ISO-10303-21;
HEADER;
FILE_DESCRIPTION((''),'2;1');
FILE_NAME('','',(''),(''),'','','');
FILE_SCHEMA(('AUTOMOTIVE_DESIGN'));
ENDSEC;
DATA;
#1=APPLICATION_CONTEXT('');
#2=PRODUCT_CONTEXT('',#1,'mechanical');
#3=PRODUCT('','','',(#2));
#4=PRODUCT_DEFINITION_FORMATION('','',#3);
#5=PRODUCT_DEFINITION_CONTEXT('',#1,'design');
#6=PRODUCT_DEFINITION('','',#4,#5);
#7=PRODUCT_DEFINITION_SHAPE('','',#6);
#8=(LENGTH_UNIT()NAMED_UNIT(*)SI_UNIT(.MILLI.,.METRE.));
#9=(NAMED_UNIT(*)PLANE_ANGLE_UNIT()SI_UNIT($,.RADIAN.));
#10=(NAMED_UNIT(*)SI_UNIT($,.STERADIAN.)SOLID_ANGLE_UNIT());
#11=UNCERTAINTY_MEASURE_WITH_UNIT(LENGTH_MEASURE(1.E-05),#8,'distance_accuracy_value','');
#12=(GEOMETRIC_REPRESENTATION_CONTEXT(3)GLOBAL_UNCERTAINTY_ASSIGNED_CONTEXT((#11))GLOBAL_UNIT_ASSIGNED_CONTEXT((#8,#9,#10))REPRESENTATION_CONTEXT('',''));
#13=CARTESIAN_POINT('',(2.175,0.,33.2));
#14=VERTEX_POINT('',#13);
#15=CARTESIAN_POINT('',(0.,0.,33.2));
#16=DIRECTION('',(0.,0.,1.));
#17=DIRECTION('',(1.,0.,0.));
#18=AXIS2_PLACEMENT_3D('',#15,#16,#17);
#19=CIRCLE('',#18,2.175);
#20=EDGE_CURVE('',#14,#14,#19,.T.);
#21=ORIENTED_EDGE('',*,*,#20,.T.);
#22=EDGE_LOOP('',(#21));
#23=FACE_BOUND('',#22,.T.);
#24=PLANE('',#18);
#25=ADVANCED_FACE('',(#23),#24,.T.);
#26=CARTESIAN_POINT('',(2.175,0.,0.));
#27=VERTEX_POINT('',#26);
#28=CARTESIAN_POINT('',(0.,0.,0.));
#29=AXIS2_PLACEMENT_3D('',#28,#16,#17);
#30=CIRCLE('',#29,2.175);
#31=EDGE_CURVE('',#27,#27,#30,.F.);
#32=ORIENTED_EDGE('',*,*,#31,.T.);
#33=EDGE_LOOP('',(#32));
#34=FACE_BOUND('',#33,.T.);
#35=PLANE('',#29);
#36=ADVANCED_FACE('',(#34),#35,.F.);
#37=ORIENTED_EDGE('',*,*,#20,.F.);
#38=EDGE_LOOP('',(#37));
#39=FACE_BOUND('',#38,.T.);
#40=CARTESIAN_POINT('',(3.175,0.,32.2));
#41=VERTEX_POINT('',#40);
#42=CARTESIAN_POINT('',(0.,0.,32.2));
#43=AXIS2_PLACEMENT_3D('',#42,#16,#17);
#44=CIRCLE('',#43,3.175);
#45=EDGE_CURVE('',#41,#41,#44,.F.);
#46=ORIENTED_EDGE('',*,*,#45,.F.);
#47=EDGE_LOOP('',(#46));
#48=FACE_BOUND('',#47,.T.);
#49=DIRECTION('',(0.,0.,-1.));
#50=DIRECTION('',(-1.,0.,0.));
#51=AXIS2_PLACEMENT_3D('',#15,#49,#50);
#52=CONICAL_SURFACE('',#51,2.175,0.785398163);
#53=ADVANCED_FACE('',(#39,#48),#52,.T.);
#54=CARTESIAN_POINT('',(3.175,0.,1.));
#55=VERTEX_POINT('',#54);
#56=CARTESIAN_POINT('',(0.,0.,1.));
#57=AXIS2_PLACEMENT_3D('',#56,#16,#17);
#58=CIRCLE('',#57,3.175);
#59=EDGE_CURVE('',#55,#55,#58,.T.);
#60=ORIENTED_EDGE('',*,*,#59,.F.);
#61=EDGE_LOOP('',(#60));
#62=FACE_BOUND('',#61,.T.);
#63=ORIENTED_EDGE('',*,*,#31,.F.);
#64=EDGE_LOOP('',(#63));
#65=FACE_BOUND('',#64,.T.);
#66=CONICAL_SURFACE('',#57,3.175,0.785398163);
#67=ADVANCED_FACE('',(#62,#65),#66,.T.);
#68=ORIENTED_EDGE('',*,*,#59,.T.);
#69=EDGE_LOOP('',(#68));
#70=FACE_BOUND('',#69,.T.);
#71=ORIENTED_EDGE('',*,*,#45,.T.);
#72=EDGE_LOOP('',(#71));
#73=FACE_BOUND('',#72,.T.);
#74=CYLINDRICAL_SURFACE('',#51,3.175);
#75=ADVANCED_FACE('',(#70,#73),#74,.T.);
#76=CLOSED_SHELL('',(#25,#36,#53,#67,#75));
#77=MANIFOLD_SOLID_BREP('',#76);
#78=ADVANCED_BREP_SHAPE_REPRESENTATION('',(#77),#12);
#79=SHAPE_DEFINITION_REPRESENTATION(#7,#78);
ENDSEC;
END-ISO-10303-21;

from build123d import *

# Parameters (mm, degrees)
SKETCH1_R           = 3.175
BOSS_EXTRUDE1_DEPTH = 33.2
CHAMFER1_SIZE       = 1


with BuildPart() as part:
    # Sketch1 → Boss-Extrude1 (new body)
    with BuildSketch(Plane.XY):
        Circle(SKETCH1_R)
    extrude(amount=BOSS_EXTRUDE1_DEPTH)

    # Chamfer1
    chamfer1_edges = [part.edges().sort_by_distance(p)[0] for p in [
        (-3.175, 0, 0),
        (-3.175, 0, 33.2),
    ]]
    chamfer(chamfer1_edges, length=CHAMFER1_SIZE)


solid = part.part
